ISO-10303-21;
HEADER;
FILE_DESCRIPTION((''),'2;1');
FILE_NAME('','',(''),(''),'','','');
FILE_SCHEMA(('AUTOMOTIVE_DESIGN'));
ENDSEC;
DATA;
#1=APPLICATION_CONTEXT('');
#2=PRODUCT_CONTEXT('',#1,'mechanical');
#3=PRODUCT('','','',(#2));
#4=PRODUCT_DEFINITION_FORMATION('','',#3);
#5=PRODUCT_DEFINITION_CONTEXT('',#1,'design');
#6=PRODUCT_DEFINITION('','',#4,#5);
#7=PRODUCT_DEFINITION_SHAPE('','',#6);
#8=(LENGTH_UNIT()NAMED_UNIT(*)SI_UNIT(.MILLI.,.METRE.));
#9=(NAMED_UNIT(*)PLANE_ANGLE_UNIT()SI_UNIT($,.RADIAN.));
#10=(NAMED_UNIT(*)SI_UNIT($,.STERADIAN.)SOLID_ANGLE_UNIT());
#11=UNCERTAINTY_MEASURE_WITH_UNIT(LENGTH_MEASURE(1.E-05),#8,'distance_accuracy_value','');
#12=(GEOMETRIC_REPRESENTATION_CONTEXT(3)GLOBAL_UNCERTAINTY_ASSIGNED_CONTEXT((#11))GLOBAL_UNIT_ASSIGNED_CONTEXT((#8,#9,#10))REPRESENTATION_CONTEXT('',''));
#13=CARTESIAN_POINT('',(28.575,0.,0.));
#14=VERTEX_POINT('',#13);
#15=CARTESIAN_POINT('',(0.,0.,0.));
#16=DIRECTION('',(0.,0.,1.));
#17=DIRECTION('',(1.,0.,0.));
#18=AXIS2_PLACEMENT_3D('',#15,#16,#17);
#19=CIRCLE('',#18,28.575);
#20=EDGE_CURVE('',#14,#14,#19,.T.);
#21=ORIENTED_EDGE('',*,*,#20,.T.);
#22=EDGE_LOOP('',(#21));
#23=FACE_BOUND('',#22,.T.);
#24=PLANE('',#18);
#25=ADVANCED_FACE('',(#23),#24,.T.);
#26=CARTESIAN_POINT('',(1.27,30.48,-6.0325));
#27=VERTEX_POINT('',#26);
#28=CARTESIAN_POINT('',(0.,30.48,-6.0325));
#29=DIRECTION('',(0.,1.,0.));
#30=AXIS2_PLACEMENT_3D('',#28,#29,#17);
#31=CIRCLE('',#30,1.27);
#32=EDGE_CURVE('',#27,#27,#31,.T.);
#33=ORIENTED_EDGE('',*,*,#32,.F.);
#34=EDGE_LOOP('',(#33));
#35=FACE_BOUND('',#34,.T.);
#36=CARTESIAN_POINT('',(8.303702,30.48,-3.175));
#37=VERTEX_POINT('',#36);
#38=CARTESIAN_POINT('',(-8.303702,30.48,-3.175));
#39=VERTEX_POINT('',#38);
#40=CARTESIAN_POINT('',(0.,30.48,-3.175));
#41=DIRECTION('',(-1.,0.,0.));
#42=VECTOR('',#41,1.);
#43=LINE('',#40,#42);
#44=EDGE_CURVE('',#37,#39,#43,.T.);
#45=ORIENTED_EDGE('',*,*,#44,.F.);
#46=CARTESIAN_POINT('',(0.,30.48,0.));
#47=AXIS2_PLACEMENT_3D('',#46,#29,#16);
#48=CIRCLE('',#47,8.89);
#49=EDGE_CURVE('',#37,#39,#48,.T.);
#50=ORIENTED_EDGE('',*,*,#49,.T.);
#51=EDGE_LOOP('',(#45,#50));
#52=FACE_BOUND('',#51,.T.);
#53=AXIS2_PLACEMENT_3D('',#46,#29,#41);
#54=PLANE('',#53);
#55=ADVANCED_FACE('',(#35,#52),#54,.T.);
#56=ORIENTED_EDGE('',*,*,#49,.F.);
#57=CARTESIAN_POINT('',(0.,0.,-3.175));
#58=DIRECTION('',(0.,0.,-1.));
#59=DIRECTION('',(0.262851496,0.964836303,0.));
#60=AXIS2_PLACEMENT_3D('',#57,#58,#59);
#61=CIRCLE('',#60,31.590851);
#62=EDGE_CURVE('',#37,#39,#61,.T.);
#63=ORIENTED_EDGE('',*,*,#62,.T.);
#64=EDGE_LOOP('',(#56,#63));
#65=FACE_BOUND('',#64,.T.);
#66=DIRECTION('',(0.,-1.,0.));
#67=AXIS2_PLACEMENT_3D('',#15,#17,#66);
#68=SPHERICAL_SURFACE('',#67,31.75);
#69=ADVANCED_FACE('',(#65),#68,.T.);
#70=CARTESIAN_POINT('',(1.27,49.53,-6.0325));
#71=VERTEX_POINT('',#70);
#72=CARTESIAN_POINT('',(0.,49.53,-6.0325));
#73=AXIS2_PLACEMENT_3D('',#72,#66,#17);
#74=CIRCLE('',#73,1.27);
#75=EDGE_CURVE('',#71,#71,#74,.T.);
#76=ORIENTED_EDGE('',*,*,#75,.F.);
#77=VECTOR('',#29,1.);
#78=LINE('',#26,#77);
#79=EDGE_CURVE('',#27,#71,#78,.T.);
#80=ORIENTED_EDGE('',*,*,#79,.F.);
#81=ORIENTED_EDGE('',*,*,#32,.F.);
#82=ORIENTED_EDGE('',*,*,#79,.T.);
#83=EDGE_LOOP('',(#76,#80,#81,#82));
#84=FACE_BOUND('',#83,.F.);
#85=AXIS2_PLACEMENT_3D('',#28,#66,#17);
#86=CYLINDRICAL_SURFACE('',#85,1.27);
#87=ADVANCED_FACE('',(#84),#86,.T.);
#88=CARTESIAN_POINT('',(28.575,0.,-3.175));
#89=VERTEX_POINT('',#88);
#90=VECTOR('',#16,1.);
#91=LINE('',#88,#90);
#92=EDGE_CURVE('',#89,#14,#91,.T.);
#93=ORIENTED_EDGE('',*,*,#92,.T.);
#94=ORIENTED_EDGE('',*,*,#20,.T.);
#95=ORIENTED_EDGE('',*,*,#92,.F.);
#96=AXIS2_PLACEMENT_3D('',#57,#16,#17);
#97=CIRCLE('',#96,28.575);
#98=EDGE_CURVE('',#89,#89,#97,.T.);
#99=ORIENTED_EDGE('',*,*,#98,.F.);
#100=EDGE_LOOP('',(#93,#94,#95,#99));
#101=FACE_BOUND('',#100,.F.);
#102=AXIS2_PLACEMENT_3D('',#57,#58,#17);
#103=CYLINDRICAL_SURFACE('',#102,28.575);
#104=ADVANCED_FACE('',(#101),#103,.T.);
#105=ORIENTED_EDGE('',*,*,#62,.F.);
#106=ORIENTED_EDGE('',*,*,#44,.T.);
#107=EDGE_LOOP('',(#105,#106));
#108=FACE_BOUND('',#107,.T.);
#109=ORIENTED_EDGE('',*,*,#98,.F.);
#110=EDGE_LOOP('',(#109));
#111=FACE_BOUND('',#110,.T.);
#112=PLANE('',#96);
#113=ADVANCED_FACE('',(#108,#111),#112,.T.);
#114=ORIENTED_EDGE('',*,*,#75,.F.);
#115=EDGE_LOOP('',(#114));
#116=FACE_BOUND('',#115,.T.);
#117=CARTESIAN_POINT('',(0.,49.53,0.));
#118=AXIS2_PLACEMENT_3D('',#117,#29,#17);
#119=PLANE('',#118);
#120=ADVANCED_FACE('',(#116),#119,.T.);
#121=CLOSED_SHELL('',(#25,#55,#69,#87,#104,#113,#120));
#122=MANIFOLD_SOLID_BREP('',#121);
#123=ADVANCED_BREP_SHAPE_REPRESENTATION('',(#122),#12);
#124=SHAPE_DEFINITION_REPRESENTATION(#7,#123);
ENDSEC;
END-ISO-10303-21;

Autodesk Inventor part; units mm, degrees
ref_plane "YZ Plane" through (0, 0, 0) normal (1, 0, 0) x (0, 1, 0)
ref_plane "XZ Plane" through (0, 0, 0) normal (0, 1, 0) x (-1, 0, 0)
ref_plane "XY Plane" through (0, 0, 0) normal (0, 0, 1) x (1, 0, 0)
sketch "Sketch6" plane through (0, 0, 0) normal (0, 0, 1) x (1, 0, 0)
  arc A0 (-31.75, 0) -> (31.75, 0) centre (0, 0) ccw
  line L0 (-31.75, 0) -> (31.75, 0)
revolve "Revolution2" add sketch "Sketch6" angle 180 about axis through (-31.75, 0, 0) along (1, 0, 0)
sketch "Sketch9" plane through (0, 0, 0) normal (0, 0, 1) x (1, 0, 0)
  circle A0 centre (0, 0) radius 31.75
extrude "Extrusion5" cut sketch "Sketch9" against normal blind 3.175
sketch "Sketch10" plane through (0, 0, -3.175) normal (0, 0, 1) x (1, 0, 0)
  circle A0 centre (0, 0) radius 28.575
extrude "Extrusion6" add sketch "Sketch10" along normal blind 3.175
sketch "Sketch11" plane through (0, 0, 0) normal (0, 1, 0) x (-1, 0, 0)
  arc A0 (-31.7973, 0) -> (31.7973, 0) centre (0, 0) ccw
  line L0 (31.7973, 0) -> (-31.7973, 0)
  line L1 (-31.5909, -3.175) -> (31.5909, -3.175) projected
extrude "Extrusion7" cut sketch "Sketch11" along normal blind 30.48 and the other way blind 31.75 keep common part
sketch "Sketch12" plane through (0, 30.48, 0) normal (0, 1, 0) x (1, 0, 0)
  line L0 (28.575, 3.175) -> (-28.575, 3.175) projected
  line L1 (0, 3.175) -> (0, 8.89)
  arc A0 (8.3037, 3.175) -> (-8.3037, 3.175) centre (0, 0) ccw projected
  line L2 (0, 3.175) -> (0, 6.0325)
  circle A1 centre (0, 6.0325) radius 1.27
  dimension "d29" = 5.715
  dimension "d30" = 2.8575
  dimension "d31" = 2.54
extrude "Extrusion8" add sketch "Sketch12" along normal blind 19.05 contours A1 L1 | L1 A1
properties part number "bulb turning point"
